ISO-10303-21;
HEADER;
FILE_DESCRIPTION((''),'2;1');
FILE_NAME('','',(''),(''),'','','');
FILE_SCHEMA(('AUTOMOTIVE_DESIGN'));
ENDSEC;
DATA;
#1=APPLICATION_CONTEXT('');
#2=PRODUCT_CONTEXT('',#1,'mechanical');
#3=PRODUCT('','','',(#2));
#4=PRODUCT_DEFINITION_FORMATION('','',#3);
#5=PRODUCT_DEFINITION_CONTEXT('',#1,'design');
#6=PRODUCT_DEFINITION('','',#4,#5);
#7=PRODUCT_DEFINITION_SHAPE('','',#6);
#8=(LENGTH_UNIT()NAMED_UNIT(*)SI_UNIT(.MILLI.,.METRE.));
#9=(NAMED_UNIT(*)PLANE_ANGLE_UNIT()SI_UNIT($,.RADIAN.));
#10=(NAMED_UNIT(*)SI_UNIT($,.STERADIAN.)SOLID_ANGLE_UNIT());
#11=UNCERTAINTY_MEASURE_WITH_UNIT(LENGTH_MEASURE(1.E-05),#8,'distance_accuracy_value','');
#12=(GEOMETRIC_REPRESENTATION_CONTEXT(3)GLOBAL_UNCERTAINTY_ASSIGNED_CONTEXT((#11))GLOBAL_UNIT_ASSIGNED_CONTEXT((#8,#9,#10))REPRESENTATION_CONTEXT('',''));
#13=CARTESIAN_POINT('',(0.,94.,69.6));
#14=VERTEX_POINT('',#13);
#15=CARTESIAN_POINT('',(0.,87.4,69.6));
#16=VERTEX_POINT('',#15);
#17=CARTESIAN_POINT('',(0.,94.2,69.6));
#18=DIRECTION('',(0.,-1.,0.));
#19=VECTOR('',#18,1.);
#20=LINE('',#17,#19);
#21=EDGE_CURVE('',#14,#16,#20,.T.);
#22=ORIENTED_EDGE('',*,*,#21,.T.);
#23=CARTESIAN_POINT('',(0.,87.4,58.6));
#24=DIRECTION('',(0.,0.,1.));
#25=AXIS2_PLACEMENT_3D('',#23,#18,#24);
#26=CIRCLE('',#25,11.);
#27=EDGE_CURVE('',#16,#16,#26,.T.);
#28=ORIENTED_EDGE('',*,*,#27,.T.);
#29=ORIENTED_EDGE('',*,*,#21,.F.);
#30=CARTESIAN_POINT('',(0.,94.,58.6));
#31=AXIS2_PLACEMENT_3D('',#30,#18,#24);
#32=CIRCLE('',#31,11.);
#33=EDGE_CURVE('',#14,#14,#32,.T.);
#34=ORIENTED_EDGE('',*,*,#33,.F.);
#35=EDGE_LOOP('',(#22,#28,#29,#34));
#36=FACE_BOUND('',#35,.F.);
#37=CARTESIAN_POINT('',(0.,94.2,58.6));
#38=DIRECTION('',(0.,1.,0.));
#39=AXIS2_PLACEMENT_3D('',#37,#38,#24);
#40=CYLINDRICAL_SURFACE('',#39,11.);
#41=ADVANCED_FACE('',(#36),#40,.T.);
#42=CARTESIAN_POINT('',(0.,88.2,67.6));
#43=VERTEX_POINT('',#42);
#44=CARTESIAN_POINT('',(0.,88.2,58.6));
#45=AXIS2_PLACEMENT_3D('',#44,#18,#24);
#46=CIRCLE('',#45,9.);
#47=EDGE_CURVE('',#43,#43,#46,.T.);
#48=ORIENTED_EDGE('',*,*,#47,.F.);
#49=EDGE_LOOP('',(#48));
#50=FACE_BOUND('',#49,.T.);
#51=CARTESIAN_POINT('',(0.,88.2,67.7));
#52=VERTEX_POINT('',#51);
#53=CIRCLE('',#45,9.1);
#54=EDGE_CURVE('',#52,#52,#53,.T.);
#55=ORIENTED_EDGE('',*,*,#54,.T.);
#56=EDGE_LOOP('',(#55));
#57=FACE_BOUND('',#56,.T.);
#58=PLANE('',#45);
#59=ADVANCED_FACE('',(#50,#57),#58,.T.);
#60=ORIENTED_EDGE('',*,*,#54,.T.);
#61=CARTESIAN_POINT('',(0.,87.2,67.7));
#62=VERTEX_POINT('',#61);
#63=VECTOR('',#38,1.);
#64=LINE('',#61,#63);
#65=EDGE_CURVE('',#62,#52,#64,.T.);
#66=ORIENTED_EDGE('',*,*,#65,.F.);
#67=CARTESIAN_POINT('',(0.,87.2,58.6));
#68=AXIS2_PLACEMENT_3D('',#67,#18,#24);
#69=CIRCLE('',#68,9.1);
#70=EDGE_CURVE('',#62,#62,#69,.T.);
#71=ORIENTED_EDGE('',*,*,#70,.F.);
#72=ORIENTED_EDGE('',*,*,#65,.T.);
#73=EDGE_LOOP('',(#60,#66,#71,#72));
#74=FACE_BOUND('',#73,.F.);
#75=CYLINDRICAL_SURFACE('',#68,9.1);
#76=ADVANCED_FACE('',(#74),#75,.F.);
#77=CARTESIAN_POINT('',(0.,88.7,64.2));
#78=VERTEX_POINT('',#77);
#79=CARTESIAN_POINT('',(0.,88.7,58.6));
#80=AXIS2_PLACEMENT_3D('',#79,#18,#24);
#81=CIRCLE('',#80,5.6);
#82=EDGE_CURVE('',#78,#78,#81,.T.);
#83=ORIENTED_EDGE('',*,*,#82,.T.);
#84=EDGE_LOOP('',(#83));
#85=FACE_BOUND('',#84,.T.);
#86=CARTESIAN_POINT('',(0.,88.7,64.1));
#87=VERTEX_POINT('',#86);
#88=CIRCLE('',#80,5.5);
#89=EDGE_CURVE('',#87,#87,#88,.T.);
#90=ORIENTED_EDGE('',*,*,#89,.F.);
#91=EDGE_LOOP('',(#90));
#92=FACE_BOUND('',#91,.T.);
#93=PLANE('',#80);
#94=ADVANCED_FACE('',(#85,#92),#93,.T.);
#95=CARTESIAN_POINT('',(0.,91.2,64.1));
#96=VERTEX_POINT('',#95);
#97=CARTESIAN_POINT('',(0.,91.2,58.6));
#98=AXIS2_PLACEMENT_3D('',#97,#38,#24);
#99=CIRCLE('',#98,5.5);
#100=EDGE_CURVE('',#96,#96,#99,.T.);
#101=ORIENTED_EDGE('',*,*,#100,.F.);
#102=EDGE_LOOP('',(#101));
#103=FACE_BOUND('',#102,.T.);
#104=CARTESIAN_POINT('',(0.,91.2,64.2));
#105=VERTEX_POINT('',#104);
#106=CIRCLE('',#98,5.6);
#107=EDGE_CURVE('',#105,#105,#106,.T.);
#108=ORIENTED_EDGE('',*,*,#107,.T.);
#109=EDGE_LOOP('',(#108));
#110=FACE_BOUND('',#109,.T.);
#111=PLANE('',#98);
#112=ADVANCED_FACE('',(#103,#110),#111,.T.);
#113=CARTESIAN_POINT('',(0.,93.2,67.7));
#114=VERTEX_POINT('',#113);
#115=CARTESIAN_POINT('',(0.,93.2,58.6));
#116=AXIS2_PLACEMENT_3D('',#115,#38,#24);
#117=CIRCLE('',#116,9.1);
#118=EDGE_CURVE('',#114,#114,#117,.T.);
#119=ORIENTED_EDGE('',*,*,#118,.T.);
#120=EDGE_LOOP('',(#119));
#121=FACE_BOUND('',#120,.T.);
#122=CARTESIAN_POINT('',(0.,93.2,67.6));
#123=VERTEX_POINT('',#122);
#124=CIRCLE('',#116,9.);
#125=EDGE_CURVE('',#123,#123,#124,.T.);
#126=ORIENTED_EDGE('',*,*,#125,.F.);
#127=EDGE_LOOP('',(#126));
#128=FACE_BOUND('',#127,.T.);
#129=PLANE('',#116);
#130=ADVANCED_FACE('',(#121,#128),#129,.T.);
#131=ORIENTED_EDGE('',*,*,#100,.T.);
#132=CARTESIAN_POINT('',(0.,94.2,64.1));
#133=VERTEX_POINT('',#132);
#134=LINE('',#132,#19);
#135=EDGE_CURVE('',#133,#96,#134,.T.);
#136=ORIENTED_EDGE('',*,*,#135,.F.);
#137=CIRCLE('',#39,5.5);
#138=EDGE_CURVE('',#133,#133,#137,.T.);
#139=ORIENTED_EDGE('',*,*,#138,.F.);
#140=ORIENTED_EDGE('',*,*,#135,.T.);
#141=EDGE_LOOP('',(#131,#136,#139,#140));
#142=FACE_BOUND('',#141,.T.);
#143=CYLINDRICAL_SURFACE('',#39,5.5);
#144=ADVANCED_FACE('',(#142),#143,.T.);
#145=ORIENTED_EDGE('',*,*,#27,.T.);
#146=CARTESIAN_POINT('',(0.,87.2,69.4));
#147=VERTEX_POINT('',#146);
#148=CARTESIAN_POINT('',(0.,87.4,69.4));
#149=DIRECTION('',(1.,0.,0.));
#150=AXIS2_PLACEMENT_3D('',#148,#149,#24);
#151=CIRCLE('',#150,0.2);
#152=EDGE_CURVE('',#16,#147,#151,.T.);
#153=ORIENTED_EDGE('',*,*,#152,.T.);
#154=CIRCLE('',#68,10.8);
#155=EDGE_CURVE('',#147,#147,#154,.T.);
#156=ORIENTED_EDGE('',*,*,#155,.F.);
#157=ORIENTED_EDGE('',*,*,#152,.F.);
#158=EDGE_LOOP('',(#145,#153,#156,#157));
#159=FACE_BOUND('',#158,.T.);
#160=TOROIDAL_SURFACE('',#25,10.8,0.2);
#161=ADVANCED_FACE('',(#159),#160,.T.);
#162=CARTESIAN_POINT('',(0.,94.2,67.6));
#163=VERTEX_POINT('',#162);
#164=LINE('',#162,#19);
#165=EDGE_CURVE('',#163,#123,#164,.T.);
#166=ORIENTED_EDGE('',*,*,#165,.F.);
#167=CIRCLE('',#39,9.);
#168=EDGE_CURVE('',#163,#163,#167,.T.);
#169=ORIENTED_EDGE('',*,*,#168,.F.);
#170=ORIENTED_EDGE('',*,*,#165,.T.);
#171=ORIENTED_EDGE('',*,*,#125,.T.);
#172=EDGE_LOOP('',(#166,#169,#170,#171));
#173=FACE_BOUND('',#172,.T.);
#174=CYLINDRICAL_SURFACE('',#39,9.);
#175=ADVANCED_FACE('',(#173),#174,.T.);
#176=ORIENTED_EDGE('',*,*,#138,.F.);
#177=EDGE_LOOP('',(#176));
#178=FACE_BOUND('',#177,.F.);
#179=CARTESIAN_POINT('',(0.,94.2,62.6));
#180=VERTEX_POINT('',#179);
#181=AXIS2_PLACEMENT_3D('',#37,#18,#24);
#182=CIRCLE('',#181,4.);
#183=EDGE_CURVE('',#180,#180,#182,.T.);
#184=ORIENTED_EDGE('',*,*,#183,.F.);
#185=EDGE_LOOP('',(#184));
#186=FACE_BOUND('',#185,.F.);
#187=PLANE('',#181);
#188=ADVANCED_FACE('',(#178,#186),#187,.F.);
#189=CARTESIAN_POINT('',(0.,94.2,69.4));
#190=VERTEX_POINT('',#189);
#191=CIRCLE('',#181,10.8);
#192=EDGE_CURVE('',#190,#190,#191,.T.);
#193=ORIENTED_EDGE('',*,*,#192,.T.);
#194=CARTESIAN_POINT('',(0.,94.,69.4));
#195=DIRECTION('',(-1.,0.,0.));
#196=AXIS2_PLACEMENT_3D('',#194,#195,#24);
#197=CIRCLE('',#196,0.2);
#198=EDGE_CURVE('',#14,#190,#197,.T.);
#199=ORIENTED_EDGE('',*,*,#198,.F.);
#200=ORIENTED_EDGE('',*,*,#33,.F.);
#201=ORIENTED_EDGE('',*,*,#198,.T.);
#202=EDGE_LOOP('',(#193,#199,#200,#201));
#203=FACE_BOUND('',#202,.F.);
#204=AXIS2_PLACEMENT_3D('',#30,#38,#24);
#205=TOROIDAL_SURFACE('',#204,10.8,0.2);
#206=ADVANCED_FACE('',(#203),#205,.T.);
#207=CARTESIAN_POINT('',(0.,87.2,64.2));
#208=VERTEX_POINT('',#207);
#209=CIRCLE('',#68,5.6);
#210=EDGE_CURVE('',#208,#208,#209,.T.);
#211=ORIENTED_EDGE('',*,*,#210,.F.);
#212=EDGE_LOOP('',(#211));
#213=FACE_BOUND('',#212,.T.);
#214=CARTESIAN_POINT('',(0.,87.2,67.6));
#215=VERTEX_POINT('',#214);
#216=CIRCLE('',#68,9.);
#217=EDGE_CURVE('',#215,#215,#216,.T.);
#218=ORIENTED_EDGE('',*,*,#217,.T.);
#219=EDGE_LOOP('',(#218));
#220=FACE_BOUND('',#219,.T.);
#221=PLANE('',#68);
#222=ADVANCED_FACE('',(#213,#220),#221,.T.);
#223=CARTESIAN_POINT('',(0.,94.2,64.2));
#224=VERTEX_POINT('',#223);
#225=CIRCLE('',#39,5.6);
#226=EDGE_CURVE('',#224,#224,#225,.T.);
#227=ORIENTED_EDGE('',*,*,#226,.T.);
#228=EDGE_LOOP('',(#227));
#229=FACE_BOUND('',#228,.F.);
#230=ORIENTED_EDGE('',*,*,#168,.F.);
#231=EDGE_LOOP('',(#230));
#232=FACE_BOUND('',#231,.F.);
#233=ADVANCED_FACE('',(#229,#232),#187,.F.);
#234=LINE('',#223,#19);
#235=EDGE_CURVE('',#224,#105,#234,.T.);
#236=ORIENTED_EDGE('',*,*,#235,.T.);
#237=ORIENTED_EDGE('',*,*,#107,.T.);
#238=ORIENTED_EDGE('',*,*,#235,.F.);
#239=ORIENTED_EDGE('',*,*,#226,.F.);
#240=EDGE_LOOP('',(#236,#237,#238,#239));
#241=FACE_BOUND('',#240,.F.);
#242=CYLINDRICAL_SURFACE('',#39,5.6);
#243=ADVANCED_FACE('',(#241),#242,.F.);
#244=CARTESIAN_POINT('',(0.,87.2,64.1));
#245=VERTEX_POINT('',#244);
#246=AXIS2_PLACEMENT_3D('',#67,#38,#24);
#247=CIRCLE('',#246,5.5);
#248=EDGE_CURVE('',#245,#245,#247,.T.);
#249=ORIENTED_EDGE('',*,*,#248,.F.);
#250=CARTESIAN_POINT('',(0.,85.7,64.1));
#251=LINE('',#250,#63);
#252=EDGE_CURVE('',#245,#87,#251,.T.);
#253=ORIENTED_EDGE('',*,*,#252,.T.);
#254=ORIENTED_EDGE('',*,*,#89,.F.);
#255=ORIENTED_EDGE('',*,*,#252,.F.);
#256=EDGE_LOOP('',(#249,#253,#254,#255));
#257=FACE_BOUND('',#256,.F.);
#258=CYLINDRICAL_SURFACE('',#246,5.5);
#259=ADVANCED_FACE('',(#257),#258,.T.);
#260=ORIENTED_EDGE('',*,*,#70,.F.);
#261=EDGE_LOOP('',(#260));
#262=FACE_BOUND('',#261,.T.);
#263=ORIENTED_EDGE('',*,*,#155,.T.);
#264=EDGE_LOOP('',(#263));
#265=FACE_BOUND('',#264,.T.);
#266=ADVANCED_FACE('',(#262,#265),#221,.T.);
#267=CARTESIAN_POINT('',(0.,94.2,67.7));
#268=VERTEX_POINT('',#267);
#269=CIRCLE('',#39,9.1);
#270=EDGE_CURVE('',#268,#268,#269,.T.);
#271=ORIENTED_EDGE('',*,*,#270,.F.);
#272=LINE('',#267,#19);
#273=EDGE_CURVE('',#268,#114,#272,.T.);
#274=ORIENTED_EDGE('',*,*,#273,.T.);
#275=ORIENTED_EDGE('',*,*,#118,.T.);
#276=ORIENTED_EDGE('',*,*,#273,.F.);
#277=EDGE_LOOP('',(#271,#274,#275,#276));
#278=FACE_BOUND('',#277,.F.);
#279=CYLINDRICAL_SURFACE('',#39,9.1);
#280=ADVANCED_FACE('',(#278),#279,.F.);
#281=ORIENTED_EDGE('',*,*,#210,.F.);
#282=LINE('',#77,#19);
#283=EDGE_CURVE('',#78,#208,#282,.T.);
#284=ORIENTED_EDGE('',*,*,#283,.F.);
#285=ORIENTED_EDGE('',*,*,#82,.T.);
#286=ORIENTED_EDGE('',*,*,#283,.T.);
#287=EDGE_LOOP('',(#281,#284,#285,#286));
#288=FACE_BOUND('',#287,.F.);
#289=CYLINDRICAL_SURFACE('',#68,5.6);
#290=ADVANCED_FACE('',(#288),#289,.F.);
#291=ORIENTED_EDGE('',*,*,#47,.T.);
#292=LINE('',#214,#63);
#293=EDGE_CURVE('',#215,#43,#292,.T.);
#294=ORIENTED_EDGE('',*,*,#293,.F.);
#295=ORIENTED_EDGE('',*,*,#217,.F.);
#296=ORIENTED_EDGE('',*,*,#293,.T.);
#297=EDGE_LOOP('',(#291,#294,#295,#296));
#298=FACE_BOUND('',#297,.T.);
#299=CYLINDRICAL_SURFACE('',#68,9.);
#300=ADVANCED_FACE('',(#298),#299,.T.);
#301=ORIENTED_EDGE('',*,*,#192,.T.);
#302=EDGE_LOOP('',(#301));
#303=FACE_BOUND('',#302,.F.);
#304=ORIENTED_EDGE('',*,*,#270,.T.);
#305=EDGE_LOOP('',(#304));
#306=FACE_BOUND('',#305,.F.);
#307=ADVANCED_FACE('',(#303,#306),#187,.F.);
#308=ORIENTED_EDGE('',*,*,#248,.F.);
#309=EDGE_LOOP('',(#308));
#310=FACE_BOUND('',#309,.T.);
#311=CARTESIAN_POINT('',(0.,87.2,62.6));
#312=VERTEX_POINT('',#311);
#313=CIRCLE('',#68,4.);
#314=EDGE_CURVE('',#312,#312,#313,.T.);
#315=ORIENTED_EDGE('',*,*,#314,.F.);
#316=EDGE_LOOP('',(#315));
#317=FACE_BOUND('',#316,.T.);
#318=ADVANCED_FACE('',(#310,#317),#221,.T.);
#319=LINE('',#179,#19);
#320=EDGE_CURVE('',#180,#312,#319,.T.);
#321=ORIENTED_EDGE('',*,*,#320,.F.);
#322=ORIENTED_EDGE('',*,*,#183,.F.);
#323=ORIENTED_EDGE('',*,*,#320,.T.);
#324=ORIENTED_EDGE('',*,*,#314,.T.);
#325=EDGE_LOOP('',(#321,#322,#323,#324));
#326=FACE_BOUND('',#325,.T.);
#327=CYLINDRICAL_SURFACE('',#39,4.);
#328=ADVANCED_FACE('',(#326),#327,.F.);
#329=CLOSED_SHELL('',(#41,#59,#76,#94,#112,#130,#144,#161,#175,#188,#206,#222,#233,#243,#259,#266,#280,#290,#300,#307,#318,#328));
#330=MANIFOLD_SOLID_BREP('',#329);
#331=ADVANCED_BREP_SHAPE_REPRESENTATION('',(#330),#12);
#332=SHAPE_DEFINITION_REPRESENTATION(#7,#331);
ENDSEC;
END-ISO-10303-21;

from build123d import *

# Parameters (mm, degrees)
SKETCH033_R             = 11
SKETCH033_R_2           = 4
PAD012_DEPTH            = 7
SKETCH035_R             = 5.6
SKETCH035_R_2           = 5.5
POCKET016_DEPTH         = 1.5
SKETCH034_R             = 5.6
SKETCH034_R_2           = 5.5
POCKET019_DEPTH         = 3
SKETCH032_R             = 9.1
SKETCH032_R_2           = 9
POCKET018_DEPTH         = 1
SKETCH031_R             = 9.1
SKETCH031_R_2           = 9
POCKET017_DEPTH         = 1
FILLET002_R             = 0.2
BODY008_PITCH_ANGLE     = -90
BODY008_PLACEMENT_ANGLE = 90


with BuildPart() as part:
    # Sketch033 → Pad012 (new body)
    with BuildSketch(Plane.XY):
        Circle(SKETCH033_R)
        Circle(SKETCH033_R_2, mode=Mode.SUBTRACT)
    extrude(amount=PAD012_DEPTH)

    # Sketch035 (on Face4 of Pad012) → Pocket016 (cut, symmetric)
    with BuildSketch(Plane.XY.offset(7)):
        Circle(SKETCH035_R)
        Circle(SKETCH035_R_2, mode=Mode.SUBTRACT)
    extrude(amount=POCKET016_DEPTH, both=True, mode=Mode.SUBTRACT)

    # Sketch034 (on Face2 of Pocket016) → Pocket019 (cut)
    with BuildSketch(Plane(origin=(0, 0, 0), x_dir=(1, 0, 0), z_dir=(0, 0, -1))):
        Circle(SKETCH034_R)
        Circle(SKETCH034_R_2, mode=Mode.SUBTRACT)
    extrude(amount=-POCKET019_DEPTH, mode=Mode.SUBTRACT)

    # Sketch032 (on Face3 of Pocket019) → Pocket018 (cut)
    with BuildSketch(Plane.XY.offset(7)):
        Circle(SKETCH032_R)
        Circle(SKETCH032_R_2, mode=Mode.SUBTRACT)
    extrude(amount=-POCKET018_DEPTH, mode=Mode.SUBTRACT)

    # Sketch031 (on Face2 of Pocket018) → Pocket017 (cut)
    with BuildSketch(Plane(origin=(0, 0, 0), x_dir=(1, 0, 0), z_dir=(0, 0, -1))):
        Circle(SKETCH031_R)
        Circle(SKETCH031_R_2, mode=Mode.SUBTRACT)
    extrude(amount=-POCKET017_DEPTH, mode=Mode.SUBTRACT)

    # Fillet002
    fillet002_edges = [part.edges().sort_by_distance(p)[0] for p in [
        (-11, 0, 0),
        (-11, 0, 7),
    ]]
    fillet(fillet002_edges, radius=FILLET002_R)


with BuildPart() as part_1:
    # Body008 pitch: moved
    add(part.part.rotate(Axis((0, 0, 0), (0, 1, 0)), BODY008_PITCH_ANGLE))


with BuildPart() as part_2:
    # Body008 placement: moved
    add(part_1.part.moved(Location((0, 94.2, 58.6))).rotate(Axis((0, 94.2, 58.6), (0, 0, 1)), BODY008_PLACEMENT_ANGLE))


solid = part_2.part
